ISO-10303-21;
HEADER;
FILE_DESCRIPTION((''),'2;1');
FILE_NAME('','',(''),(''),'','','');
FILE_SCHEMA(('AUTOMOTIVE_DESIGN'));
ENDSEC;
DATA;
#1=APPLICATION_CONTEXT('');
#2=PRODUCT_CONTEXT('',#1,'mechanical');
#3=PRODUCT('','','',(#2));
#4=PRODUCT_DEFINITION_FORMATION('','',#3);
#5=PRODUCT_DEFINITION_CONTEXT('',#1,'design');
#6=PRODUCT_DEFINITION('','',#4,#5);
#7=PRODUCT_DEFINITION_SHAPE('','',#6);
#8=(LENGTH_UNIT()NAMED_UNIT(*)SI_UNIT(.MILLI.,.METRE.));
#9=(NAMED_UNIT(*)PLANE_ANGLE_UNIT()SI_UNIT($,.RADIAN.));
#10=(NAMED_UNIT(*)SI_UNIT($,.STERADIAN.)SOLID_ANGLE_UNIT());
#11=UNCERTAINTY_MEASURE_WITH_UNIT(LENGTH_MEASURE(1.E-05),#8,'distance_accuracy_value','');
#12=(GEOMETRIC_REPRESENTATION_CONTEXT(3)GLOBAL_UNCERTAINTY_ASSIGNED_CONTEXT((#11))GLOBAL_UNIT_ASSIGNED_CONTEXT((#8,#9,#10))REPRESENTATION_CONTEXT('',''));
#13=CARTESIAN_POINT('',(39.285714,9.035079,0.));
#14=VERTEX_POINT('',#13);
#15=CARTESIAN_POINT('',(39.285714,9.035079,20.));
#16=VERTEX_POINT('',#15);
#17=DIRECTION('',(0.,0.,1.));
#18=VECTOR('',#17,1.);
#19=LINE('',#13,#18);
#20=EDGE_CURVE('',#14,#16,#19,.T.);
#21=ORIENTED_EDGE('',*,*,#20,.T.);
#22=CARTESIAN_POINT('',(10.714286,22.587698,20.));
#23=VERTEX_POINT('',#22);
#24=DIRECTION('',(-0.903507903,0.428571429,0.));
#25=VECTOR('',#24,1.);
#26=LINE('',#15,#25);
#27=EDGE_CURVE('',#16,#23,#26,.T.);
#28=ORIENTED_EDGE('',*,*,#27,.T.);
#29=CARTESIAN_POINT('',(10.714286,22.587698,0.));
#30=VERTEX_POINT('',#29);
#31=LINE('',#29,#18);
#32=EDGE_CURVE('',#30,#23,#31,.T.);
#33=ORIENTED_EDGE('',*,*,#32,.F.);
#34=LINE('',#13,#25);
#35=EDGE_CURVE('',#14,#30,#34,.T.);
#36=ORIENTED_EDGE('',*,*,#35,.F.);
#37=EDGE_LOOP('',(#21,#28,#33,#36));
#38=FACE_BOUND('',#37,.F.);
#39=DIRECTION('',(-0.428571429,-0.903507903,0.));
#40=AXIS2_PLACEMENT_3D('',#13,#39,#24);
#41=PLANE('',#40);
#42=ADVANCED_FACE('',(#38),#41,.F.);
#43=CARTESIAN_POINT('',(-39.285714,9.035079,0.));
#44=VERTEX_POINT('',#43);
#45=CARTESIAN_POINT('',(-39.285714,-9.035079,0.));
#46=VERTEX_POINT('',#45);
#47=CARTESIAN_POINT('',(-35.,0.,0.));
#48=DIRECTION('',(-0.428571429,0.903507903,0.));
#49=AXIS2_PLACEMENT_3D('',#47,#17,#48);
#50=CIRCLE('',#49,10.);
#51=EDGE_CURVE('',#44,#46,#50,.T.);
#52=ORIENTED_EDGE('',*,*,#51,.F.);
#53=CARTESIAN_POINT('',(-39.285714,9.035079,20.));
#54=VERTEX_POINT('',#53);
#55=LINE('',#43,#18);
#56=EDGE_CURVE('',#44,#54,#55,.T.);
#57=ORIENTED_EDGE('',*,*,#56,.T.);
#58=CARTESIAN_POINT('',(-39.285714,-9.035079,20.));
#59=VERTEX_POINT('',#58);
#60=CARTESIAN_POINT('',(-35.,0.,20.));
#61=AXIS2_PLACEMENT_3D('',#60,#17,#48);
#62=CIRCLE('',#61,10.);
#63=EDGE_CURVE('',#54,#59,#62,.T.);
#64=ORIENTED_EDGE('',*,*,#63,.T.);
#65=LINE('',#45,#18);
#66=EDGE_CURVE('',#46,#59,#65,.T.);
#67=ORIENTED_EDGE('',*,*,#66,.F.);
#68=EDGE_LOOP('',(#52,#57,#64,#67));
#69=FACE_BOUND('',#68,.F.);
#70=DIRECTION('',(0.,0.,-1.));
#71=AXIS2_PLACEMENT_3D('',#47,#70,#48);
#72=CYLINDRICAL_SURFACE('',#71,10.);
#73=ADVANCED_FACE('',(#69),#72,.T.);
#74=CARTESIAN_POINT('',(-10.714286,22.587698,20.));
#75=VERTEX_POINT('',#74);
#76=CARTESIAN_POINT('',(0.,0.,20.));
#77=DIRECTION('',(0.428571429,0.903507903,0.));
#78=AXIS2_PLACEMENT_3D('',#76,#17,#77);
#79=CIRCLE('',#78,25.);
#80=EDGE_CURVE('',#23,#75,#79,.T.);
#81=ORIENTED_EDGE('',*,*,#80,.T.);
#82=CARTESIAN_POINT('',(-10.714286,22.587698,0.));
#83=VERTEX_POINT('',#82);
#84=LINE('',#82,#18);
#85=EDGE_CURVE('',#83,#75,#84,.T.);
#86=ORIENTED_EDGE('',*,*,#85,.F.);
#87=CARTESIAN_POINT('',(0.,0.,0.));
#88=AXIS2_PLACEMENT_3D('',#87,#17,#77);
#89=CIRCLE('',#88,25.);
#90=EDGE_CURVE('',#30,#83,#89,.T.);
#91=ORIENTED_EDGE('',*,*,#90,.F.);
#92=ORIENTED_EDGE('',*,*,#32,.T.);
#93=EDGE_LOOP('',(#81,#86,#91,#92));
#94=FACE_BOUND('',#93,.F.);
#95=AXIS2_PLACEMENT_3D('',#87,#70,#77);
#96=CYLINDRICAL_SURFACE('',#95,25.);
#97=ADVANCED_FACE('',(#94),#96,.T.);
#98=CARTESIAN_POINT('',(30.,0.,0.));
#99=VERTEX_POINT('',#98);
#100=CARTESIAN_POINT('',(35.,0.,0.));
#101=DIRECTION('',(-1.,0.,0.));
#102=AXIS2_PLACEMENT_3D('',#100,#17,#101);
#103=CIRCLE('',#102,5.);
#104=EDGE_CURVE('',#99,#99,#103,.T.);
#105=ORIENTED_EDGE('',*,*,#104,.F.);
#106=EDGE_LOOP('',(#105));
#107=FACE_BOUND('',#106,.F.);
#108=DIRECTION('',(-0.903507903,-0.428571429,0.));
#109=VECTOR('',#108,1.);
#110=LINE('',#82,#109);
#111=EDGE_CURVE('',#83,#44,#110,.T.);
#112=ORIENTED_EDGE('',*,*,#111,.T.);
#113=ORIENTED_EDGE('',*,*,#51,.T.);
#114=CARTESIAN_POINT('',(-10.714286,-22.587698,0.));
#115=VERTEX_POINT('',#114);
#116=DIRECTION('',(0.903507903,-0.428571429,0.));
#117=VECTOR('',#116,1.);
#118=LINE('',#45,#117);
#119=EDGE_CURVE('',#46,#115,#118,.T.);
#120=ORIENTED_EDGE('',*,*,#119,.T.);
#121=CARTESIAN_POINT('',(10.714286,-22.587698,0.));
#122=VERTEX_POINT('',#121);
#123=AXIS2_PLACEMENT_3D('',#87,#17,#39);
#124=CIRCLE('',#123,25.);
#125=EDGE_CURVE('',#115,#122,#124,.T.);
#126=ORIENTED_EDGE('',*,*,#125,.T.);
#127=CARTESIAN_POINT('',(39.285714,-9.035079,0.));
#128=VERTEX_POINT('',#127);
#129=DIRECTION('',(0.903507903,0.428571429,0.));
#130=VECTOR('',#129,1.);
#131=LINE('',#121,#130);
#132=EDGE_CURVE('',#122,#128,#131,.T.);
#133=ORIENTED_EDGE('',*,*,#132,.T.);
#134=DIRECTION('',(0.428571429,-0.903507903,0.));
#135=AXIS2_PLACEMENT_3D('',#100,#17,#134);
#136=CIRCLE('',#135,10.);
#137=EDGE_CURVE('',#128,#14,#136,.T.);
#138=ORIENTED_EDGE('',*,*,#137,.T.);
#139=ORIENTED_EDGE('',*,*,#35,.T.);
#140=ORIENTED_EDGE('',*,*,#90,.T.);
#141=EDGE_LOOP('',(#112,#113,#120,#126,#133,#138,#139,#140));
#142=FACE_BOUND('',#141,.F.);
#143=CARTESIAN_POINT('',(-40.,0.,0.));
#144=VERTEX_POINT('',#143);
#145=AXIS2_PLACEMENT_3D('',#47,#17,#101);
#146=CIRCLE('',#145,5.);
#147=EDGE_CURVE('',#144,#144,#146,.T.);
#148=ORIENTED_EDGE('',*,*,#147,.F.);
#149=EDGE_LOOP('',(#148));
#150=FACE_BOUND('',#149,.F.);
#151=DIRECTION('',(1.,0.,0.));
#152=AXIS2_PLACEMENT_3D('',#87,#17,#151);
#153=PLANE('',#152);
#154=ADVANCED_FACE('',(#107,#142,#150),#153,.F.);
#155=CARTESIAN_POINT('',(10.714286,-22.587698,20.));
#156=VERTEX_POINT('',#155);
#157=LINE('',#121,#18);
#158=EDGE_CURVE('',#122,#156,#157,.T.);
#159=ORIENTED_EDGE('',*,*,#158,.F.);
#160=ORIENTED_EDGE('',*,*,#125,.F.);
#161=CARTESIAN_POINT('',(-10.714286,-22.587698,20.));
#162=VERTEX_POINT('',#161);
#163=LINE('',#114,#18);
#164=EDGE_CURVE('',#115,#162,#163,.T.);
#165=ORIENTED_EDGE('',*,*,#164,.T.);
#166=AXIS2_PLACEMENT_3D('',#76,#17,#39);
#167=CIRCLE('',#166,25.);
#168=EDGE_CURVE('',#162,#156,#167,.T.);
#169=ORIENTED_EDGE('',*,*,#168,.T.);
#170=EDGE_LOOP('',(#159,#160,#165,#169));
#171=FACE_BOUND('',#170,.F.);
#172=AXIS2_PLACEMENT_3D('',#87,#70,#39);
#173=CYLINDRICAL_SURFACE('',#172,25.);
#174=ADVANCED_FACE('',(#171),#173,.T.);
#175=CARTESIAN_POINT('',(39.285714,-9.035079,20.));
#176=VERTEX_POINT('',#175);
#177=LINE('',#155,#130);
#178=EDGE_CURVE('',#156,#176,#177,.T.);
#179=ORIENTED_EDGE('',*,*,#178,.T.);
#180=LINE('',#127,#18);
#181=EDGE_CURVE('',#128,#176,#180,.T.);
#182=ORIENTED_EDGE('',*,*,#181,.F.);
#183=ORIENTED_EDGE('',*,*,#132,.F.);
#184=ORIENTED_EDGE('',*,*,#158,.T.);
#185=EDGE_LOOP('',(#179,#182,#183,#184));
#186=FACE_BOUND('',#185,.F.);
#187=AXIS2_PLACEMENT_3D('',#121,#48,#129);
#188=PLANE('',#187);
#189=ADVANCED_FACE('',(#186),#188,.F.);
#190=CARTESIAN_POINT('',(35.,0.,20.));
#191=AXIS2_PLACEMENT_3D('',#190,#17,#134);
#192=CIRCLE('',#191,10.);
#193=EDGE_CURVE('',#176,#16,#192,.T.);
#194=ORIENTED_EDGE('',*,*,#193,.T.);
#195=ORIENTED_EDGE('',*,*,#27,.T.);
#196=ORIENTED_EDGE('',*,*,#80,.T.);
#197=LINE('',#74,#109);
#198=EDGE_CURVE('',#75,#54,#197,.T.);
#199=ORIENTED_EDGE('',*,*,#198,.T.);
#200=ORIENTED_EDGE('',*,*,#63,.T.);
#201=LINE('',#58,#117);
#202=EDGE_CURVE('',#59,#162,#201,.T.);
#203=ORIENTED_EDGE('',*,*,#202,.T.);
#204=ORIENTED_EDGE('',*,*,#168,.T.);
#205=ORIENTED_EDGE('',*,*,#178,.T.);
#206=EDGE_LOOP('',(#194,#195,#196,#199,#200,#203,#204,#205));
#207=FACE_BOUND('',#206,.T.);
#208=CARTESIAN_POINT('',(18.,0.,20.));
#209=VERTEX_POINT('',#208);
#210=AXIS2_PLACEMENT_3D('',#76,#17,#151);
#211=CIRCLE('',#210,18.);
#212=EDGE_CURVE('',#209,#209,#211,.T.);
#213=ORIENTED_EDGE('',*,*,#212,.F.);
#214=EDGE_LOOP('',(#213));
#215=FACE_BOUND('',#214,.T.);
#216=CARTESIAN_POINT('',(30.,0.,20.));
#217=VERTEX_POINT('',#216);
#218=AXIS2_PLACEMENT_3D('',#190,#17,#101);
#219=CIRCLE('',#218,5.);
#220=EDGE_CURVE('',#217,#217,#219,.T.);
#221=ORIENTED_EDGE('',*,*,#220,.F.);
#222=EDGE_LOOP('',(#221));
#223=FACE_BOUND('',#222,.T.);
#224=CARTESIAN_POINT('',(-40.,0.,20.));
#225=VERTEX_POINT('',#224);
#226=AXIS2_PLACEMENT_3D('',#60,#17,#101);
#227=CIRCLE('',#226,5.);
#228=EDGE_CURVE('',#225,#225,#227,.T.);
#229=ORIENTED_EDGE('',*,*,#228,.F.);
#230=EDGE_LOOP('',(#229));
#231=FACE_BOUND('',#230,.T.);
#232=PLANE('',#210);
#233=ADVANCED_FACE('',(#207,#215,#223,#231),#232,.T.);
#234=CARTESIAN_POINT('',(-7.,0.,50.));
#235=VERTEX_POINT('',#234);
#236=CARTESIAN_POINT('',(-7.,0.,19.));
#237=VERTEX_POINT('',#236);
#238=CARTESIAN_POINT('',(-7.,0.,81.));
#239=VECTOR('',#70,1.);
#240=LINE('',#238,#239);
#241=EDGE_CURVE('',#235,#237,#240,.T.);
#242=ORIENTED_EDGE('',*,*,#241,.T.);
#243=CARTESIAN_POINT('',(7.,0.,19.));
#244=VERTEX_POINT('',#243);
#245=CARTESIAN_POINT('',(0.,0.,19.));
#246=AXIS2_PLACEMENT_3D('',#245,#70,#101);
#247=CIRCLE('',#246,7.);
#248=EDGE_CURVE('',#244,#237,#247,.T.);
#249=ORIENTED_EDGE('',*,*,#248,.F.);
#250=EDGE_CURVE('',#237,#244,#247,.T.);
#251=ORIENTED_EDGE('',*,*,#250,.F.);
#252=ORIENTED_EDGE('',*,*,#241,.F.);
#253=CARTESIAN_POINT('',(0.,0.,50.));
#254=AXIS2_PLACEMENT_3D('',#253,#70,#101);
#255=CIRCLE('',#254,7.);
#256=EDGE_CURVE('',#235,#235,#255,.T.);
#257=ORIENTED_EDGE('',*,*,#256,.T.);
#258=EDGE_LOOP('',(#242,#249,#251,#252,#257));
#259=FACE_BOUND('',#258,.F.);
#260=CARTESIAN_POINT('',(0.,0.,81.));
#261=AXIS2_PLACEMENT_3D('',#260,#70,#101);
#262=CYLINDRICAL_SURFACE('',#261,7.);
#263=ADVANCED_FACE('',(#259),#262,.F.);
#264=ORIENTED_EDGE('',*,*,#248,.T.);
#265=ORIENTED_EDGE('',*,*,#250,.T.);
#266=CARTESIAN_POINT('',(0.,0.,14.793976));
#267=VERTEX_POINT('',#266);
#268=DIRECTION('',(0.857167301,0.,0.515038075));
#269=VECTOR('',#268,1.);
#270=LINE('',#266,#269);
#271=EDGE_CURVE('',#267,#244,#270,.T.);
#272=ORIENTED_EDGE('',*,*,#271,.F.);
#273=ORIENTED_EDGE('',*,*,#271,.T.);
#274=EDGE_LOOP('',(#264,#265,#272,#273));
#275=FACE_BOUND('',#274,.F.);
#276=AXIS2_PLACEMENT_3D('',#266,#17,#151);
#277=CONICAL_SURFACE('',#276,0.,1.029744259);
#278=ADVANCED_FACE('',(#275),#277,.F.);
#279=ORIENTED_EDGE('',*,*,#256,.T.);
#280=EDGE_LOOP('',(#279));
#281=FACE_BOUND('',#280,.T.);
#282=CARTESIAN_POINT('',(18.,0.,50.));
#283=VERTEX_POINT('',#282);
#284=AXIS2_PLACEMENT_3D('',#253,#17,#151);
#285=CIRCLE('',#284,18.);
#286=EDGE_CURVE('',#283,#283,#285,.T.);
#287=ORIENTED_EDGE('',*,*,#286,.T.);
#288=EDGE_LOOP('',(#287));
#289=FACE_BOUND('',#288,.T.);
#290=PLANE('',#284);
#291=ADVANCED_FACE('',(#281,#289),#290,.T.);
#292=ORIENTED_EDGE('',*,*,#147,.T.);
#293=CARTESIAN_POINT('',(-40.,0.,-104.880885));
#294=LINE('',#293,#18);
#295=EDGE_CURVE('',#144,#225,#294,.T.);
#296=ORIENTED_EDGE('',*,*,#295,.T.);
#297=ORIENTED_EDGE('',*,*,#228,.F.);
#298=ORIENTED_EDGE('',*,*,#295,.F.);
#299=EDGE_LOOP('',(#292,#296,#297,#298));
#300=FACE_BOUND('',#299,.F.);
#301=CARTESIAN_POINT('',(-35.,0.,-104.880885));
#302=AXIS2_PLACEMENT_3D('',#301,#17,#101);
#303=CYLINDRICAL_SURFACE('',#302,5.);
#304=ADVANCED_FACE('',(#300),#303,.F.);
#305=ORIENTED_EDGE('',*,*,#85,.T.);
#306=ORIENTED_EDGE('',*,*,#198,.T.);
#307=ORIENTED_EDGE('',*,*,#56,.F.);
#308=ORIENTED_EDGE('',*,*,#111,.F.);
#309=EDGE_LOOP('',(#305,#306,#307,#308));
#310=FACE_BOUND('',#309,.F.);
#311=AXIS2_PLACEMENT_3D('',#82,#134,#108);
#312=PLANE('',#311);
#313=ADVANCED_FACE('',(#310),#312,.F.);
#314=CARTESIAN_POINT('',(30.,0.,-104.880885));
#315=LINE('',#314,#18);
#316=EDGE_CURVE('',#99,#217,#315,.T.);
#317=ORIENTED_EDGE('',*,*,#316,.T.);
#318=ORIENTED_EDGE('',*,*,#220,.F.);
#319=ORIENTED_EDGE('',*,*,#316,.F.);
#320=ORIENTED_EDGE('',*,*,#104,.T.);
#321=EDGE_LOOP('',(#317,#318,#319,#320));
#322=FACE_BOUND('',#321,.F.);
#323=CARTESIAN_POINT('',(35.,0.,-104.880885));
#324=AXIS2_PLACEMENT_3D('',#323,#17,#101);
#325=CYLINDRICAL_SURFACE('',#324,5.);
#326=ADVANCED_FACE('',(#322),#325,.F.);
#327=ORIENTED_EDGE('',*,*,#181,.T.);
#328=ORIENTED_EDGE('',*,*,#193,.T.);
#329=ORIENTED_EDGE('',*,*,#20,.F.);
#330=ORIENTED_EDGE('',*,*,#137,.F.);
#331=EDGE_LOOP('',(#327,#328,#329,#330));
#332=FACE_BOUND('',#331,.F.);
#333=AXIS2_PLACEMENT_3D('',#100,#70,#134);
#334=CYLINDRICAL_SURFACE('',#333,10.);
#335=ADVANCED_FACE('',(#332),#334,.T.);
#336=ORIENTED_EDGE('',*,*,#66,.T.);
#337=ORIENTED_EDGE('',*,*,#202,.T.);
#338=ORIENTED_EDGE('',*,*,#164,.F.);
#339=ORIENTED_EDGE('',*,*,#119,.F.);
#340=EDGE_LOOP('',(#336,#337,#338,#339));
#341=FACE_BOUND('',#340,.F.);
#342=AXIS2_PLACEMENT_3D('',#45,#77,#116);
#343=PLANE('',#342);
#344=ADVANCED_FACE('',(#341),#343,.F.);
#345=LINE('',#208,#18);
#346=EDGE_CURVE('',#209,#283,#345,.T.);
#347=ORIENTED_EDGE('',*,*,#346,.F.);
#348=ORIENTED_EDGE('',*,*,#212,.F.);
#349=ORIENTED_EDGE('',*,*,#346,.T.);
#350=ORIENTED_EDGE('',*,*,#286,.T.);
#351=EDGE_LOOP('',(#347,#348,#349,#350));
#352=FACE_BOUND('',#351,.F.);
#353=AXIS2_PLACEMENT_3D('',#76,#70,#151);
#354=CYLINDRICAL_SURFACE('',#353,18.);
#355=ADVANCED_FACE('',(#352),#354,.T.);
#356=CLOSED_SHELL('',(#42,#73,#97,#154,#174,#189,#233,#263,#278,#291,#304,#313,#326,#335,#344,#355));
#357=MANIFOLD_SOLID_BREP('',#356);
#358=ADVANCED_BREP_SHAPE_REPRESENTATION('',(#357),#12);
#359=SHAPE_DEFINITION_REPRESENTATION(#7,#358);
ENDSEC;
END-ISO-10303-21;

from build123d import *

# Parameters (mm, degrees)
F1_DEPTH = 20
F2_D     = 10
F3_R     = 18
F4_DEPTH = 30
F6_D     = 14
F6_DEPTH = 31
F6_TIP   = 4.2060243332


with BuildPart() as f1:
    # F0 (on Top) → F1 (new body)
    with BuildSketch(Plane.XY):
        with BuildLine():
            Line((39.2857142857, 9.0350790291), (10.7142857143, 22.5876975726))
            ThreePointArc((10.7142857143, 22.5876975726), (0, 25), (-10.7142857143, 22.5876975726))
            Line((-10.7142857143, 22.5876975726), (-39.2857142857, 9.0350790291))
            ThreePointArc((-39.2857142857, 9.0350790291), (-45, 0), (-39.2857142857, -9.0350790291))
            Line((-39.2857142857, -9.0350790291), (-10.7142857143, -22.5876975726))
            ThreePointArc((-10.7142857143, -22.5876975726), (0, -25), (10.7142857143, -22.5876975726))
            Line((10.7142857143, -22.5876975726), (39.2857142857, -9.0350790291))
            ThreePointArc((39.2857142857, -9.0350790291), (45, 0), (39.2857142857, 9.0350790291))
        make_face()
    extrude(amount=F1_DEPTH)

    # F2 (through all)
    with Locations(Plane(origin=(0, 0, 0), x_dir=(1, 0, 0), z_dir=(0, 0, -1))):
        with Locations((-35, 0), (35, 0)):
            Hole(F2_D / 2)

    # F3 (on face) → F4 (join)
    with BuildSketch(Plane.XY.offset(20)):
        Circle(F3_R)
    extrude(amount=F4_DEPTH)

    # F6
    with Locations(Plane.XY.offset(50)):
        with Locations((0, 0)):
            Hole(F6_D / 2, depth=F6_DEPTH)
            with Locations((0, 0, -(F6_DEPTH + F6_TIP / 2))):  # 118° drill point
                Cone(0, F6_D / 2, F6_TIP, mode=Mode.SUBTRACT)


solid = f1.part
